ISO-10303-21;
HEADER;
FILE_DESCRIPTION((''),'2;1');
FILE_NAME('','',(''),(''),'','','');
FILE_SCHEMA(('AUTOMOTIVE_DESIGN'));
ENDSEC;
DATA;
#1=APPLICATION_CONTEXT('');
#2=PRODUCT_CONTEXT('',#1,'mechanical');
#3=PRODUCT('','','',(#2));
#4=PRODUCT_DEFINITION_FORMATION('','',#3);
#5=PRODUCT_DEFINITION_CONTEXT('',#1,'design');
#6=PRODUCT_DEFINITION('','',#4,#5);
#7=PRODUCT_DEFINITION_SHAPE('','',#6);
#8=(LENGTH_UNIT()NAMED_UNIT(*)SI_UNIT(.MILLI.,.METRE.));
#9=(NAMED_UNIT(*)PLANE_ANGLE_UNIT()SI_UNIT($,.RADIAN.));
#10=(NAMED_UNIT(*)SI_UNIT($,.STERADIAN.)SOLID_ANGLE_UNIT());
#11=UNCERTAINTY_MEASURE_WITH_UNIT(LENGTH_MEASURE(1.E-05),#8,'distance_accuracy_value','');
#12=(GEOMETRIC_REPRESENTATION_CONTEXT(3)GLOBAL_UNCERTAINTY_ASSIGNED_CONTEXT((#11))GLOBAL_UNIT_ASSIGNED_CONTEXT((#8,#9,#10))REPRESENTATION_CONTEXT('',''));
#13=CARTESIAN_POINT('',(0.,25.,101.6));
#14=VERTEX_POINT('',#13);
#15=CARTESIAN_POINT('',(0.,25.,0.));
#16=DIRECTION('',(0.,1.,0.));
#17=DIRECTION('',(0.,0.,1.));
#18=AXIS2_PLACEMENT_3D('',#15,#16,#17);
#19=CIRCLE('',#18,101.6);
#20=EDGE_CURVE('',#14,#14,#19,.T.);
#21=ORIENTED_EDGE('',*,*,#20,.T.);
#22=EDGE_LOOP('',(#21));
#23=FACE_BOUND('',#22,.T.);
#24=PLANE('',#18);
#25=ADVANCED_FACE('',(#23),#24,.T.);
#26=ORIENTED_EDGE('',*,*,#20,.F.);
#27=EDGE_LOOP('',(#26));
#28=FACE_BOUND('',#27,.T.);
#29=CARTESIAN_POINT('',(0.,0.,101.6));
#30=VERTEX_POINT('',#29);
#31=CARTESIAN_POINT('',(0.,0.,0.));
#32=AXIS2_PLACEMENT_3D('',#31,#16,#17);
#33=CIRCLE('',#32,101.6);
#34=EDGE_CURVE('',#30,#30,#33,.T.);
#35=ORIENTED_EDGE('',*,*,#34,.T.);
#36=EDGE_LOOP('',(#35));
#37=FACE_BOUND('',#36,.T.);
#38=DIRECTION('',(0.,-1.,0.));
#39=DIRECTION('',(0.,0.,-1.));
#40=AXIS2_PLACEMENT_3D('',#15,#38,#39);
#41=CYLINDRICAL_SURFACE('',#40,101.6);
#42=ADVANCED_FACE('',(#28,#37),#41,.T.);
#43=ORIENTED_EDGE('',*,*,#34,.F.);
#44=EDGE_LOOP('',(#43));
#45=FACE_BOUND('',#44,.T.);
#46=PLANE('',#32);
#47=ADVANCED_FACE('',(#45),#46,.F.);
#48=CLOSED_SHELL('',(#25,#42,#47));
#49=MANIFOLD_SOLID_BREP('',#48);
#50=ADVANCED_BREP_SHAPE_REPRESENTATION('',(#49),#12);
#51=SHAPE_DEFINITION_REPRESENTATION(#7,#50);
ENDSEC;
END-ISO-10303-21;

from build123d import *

# Parameters (mm, degrees)
SKETCH1_R           = 101.6
BOSS_EXTRUDE1_DEPTH = 25


with BuildPart() as part:
    # Sketch1 → Boss-Extrude1 (new body)
    with BuildSketch(Plane(origin=(0, 0, 0), x_dir=(1, 0, 0), z_dir=(0, 1, 0))):
        with Locations(Location((0, 0, 0), (0, 0, 270))):
            Circle(SKETCH1_R)
    extrude(amount=BOSS_EXTRUDE1_DEPTH)


solid = part.part
